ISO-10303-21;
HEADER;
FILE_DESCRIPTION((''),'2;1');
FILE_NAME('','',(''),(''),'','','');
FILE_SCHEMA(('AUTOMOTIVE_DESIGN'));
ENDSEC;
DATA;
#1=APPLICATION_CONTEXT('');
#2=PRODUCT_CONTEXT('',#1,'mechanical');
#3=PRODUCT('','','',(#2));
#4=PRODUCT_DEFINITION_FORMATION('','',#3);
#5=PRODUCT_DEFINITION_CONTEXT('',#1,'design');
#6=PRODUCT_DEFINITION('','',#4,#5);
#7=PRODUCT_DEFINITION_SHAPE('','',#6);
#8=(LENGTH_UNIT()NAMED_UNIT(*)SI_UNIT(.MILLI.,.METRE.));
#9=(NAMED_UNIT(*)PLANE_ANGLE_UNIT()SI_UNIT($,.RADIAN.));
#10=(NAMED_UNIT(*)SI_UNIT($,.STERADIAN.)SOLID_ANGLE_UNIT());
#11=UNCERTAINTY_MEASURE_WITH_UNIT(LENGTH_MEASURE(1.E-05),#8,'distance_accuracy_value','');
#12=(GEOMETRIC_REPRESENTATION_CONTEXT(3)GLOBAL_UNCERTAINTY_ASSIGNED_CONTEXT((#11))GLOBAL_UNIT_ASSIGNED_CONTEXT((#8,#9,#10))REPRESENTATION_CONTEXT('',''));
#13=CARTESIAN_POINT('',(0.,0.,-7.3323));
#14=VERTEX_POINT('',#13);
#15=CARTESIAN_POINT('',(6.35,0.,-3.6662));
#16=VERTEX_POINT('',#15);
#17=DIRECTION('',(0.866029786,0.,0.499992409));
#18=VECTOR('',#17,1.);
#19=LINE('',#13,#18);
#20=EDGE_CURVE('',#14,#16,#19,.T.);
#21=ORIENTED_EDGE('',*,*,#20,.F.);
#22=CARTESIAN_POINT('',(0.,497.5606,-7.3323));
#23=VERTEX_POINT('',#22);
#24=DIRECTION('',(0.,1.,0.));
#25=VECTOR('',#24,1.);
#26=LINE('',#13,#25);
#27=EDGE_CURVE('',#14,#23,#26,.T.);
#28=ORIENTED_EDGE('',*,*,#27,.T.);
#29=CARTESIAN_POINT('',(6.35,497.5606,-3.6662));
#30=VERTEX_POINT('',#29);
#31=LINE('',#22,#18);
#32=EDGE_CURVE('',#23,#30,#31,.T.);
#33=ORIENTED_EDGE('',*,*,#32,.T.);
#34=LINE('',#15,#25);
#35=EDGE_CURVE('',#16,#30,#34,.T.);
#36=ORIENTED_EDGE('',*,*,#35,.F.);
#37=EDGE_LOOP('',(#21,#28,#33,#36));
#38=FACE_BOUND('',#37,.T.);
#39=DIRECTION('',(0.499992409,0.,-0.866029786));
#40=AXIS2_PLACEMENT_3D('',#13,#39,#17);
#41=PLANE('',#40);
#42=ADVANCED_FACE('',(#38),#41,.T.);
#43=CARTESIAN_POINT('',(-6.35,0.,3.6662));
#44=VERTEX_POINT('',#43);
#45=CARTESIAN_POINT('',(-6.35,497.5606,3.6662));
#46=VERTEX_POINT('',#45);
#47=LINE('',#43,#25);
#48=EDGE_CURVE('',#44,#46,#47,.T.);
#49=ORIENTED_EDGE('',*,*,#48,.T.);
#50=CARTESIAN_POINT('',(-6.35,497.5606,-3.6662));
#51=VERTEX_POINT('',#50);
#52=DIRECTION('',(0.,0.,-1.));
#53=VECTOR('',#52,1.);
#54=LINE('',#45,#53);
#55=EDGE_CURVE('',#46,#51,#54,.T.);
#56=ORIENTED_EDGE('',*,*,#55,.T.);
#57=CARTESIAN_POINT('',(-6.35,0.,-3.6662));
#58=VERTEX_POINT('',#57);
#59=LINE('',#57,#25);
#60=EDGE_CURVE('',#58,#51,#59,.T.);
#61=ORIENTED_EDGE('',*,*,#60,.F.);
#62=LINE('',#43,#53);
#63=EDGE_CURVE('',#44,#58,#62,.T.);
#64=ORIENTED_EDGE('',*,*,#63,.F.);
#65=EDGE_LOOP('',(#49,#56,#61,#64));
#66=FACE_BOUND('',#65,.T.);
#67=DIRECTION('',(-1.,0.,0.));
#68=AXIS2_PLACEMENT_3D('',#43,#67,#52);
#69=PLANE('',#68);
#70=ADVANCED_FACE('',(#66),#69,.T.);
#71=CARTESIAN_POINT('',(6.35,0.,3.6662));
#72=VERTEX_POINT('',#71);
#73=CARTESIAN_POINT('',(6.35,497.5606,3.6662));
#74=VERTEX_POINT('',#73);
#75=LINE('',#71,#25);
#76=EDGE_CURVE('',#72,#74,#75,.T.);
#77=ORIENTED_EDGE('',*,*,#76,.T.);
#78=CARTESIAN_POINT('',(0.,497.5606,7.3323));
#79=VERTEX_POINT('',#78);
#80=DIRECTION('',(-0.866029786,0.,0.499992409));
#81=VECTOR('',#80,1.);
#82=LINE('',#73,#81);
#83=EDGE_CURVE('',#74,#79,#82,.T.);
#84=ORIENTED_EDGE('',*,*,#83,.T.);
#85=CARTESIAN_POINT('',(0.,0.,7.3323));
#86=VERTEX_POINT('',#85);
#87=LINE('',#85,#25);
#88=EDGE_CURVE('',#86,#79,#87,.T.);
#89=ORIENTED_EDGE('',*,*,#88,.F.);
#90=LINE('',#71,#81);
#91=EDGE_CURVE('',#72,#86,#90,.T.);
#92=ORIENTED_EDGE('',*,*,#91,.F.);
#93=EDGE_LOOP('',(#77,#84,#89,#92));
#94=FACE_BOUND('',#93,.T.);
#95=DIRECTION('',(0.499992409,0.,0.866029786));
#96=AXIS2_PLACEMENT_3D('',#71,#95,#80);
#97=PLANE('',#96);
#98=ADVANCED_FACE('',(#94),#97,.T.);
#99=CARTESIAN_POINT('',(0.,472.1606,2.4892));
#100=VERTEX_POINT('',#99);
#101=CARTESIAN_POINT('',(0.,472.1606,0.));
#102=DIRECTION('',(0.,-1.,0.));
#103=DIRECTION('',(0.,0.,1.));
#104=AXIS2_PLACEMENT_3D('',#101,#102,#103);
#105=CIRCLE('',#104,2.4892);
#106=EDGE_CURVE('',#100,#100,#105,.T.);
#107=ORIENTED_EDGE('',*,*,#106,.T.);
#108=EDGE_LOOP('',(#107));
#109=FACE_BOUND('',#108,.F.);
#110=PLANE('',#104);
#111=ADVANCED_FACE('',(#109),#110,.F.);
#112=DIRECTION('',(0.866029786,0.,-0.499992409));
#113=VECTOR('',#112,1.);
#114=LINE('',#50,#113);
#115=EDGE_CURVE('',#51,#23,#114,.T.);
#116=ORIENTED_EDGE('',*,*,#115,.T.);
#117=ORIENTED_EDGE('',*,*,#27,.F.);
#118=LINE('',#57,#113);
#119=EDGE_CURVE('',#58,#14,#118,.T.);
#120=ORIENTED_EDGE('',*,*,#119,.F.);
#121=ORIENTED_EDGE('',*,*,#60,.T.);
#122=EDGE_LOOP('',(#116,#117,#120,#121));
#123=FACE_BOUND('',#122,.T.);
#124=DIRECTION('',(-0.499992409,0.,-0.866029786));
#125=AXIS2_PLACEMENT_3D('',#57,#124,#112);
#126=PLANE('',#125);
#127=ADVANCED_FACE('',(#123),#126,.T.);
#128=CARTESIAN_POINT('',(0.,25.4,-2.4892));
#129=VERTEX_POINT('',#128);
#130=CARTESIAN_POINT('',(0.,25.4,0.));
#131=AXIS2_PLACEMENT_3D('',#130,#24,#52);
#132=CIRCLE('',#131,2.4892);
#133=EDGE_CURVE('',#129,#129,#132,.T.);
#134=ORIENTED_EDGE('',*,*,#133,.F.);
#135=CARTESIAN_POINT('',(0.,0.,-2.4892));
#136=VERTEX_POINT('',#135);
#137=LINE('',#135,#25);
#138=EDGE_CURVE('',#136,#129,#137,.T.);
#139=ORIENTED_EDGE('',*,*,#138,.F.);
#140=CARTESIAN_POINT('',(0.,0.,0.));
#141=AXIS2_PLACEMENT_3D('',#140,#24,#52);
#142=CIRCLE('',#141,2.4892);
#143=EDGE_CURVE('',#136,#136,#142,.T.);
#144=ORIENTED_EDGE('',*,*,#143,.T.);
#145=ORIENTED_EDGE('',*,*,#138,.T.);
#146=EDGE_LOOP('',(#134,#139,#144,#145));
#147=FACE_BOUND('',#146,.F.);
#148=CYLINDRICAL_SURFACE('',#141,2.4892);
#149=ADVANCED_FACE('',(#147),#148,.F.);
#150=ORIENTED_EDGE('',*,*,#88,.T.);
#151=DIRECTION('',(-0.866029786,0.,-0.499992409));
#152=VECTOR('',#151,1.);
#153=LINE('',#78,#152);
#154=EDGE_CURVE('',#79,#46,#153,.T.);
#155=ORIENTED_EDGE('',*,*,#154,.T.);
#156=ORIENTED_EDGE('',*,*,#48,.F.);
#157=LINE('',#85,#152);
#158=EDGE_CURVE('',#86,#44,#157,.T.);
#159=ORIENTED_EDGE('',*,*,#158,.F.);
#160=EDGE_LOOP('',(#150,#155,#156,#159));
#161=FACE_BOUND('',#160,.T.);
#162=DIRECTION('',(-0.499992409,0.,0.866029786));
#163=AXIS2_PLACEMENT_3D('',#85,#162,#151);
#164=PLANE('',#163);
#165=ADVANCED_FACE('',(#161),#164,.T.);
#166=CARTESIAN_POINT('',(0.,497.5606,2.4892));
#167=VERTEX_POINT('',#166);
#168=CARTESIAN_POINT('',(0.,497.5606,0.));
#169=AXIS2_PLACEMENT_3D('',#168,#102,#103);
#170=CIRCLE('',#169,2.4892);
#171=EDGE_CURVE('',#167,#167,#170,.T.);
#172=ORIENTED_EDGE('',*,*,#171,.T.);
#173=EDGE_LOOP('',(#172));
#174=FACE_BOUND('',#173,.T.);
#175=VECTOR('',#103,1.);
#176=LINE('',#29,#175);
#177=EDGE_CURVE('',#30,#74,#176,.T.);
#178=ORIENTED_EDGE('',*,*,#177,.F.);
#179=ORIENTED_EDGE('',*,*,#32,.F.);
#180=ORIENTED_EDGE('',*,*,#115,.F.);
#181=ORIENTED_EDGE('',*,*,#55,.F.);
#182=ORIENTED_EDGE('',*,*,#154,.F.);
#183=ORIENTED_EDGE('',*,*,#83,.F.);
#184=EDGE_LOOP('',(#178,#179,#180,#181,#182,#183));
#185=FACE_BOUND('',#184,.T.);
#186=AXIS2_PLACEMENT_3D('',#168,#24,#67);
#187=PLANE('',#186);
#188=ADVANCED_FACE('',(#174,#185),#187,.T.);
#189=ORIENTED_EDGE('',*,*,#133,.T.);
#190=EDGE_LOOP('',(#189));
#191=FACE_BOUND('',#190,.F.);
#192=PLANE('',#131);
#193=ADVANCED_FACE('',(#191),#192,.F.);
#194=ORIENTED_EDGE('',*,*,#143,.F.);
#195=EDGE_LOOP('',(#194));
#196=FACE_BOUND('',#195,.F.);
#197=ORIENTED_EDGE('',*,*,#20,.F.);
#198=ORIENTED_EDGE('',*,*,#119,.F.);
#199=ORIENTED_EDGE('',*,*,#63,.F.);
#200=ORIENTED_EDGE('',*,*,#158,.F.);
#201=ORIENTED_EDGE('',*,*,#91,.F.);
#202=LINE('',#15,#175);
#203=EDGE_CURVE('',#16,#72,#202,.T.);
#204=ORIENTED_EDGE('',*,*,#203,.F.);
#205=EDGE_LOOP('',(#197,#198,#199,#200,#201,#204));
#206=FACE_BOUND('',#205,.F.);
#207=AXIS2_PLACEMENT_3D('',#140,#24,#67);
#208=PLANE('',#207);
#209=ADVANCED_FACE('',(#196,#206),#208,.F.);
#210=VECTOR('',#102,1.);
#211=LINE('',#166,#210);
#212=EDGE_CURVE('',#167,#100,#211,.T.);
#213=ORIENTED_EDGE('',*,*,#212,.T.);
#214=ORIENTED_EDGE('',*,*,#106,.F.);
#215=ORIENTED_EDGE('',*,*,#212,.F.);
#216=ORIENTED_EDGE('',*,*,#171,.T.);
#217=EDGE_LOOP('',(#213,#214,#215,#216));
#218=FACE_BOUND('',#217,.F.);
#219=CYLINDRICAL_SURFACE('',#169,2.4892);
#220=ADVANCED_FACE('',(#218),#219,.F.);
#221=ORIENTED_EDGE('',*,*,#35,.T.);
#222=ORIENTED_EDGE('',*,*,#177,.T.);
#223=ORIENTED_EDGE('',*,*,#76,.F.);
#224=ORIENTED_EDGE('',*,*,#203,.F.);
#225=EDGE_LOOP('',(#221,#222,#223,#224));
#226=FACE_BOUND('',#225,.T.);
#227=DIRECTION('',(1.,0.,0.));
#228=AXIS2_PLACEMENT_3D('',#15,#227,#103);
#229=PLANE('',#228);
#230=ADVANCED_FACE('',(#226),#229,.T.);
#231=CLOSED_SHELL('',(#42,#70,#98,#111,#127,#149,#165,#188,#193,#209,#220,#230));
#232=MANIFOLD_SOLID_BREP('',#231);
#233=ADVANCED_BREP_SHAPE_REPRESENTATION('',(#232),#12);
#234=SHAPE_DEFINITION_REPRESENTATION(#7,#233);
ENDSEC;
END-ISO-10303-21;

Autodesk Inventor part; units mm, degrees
ref_plane "YZ Plane" through (0, 0, 0) normal (1, 0, 0) x (0, 1, 0)
ref_plane "XZ Plane" through (0, 0, 0) normal (0, 1, 0) x (-1, 0, 0)
ref_plane "XY Plane" through (0, 0, 0) normal (0, 0, 1) x (1, 0, 0)
sketch "Sketch1" plane through (0, 0, 0) normal (0, 1, 0) x (-1, 0, 0)
  line L0 (6.35, -3.6662) -> (0, -7.3323)
  line L1 (0, -7.3323) -> (-6.35, -3.6662)
  line L2 (-6.35, -3.6662) -> (-6.35, 3.6662)
  line L3 (-6.35, 3.6662) -> (0, 7.3323)
  line L4 (0, 7.3323) -> (6.35, 3.6662)
  line L5 (6.35, 3.6662) -> (6.35, -3.6662)
  point P0 (0, 0)
  point P1 (0, 0)
  point P2 (0, 0)
  dimension "d0" = 12.7
extrude "Extrusion1" add sketch "Sketch1" along normal blind 497.5606
sketch "Sketch2" plane through (0, 0, 0) normal (0, -1, 0) x (1, 0, 0)
  point P0 (0, 0)
  point P1 (0, 0)
hole "Hole1" at (0, 0, 0) direction (0, 1, 0) diameter 4.9784 depth 25.4 thread size "1/4-20 UNC" class "2B" standard "ANSI Unified Screw Threads"
sketch "Sketch3" plane through (0, 497.5606, 0) normal (0, 1, 0) x (1, 0, 0)
  point P0 (0, 0)
  point P1 (0, 0)
hole "Hole2" at (0, 497.5606, 0) direction (0, -1, 0) diameter 4.9784 depth 25.4 thread size "1/4-20 UNC" class "2B" standard "ANSI Unified Screw Threads"
properties part number "Intake HexShaft 1" material "Aluminum 6061"
